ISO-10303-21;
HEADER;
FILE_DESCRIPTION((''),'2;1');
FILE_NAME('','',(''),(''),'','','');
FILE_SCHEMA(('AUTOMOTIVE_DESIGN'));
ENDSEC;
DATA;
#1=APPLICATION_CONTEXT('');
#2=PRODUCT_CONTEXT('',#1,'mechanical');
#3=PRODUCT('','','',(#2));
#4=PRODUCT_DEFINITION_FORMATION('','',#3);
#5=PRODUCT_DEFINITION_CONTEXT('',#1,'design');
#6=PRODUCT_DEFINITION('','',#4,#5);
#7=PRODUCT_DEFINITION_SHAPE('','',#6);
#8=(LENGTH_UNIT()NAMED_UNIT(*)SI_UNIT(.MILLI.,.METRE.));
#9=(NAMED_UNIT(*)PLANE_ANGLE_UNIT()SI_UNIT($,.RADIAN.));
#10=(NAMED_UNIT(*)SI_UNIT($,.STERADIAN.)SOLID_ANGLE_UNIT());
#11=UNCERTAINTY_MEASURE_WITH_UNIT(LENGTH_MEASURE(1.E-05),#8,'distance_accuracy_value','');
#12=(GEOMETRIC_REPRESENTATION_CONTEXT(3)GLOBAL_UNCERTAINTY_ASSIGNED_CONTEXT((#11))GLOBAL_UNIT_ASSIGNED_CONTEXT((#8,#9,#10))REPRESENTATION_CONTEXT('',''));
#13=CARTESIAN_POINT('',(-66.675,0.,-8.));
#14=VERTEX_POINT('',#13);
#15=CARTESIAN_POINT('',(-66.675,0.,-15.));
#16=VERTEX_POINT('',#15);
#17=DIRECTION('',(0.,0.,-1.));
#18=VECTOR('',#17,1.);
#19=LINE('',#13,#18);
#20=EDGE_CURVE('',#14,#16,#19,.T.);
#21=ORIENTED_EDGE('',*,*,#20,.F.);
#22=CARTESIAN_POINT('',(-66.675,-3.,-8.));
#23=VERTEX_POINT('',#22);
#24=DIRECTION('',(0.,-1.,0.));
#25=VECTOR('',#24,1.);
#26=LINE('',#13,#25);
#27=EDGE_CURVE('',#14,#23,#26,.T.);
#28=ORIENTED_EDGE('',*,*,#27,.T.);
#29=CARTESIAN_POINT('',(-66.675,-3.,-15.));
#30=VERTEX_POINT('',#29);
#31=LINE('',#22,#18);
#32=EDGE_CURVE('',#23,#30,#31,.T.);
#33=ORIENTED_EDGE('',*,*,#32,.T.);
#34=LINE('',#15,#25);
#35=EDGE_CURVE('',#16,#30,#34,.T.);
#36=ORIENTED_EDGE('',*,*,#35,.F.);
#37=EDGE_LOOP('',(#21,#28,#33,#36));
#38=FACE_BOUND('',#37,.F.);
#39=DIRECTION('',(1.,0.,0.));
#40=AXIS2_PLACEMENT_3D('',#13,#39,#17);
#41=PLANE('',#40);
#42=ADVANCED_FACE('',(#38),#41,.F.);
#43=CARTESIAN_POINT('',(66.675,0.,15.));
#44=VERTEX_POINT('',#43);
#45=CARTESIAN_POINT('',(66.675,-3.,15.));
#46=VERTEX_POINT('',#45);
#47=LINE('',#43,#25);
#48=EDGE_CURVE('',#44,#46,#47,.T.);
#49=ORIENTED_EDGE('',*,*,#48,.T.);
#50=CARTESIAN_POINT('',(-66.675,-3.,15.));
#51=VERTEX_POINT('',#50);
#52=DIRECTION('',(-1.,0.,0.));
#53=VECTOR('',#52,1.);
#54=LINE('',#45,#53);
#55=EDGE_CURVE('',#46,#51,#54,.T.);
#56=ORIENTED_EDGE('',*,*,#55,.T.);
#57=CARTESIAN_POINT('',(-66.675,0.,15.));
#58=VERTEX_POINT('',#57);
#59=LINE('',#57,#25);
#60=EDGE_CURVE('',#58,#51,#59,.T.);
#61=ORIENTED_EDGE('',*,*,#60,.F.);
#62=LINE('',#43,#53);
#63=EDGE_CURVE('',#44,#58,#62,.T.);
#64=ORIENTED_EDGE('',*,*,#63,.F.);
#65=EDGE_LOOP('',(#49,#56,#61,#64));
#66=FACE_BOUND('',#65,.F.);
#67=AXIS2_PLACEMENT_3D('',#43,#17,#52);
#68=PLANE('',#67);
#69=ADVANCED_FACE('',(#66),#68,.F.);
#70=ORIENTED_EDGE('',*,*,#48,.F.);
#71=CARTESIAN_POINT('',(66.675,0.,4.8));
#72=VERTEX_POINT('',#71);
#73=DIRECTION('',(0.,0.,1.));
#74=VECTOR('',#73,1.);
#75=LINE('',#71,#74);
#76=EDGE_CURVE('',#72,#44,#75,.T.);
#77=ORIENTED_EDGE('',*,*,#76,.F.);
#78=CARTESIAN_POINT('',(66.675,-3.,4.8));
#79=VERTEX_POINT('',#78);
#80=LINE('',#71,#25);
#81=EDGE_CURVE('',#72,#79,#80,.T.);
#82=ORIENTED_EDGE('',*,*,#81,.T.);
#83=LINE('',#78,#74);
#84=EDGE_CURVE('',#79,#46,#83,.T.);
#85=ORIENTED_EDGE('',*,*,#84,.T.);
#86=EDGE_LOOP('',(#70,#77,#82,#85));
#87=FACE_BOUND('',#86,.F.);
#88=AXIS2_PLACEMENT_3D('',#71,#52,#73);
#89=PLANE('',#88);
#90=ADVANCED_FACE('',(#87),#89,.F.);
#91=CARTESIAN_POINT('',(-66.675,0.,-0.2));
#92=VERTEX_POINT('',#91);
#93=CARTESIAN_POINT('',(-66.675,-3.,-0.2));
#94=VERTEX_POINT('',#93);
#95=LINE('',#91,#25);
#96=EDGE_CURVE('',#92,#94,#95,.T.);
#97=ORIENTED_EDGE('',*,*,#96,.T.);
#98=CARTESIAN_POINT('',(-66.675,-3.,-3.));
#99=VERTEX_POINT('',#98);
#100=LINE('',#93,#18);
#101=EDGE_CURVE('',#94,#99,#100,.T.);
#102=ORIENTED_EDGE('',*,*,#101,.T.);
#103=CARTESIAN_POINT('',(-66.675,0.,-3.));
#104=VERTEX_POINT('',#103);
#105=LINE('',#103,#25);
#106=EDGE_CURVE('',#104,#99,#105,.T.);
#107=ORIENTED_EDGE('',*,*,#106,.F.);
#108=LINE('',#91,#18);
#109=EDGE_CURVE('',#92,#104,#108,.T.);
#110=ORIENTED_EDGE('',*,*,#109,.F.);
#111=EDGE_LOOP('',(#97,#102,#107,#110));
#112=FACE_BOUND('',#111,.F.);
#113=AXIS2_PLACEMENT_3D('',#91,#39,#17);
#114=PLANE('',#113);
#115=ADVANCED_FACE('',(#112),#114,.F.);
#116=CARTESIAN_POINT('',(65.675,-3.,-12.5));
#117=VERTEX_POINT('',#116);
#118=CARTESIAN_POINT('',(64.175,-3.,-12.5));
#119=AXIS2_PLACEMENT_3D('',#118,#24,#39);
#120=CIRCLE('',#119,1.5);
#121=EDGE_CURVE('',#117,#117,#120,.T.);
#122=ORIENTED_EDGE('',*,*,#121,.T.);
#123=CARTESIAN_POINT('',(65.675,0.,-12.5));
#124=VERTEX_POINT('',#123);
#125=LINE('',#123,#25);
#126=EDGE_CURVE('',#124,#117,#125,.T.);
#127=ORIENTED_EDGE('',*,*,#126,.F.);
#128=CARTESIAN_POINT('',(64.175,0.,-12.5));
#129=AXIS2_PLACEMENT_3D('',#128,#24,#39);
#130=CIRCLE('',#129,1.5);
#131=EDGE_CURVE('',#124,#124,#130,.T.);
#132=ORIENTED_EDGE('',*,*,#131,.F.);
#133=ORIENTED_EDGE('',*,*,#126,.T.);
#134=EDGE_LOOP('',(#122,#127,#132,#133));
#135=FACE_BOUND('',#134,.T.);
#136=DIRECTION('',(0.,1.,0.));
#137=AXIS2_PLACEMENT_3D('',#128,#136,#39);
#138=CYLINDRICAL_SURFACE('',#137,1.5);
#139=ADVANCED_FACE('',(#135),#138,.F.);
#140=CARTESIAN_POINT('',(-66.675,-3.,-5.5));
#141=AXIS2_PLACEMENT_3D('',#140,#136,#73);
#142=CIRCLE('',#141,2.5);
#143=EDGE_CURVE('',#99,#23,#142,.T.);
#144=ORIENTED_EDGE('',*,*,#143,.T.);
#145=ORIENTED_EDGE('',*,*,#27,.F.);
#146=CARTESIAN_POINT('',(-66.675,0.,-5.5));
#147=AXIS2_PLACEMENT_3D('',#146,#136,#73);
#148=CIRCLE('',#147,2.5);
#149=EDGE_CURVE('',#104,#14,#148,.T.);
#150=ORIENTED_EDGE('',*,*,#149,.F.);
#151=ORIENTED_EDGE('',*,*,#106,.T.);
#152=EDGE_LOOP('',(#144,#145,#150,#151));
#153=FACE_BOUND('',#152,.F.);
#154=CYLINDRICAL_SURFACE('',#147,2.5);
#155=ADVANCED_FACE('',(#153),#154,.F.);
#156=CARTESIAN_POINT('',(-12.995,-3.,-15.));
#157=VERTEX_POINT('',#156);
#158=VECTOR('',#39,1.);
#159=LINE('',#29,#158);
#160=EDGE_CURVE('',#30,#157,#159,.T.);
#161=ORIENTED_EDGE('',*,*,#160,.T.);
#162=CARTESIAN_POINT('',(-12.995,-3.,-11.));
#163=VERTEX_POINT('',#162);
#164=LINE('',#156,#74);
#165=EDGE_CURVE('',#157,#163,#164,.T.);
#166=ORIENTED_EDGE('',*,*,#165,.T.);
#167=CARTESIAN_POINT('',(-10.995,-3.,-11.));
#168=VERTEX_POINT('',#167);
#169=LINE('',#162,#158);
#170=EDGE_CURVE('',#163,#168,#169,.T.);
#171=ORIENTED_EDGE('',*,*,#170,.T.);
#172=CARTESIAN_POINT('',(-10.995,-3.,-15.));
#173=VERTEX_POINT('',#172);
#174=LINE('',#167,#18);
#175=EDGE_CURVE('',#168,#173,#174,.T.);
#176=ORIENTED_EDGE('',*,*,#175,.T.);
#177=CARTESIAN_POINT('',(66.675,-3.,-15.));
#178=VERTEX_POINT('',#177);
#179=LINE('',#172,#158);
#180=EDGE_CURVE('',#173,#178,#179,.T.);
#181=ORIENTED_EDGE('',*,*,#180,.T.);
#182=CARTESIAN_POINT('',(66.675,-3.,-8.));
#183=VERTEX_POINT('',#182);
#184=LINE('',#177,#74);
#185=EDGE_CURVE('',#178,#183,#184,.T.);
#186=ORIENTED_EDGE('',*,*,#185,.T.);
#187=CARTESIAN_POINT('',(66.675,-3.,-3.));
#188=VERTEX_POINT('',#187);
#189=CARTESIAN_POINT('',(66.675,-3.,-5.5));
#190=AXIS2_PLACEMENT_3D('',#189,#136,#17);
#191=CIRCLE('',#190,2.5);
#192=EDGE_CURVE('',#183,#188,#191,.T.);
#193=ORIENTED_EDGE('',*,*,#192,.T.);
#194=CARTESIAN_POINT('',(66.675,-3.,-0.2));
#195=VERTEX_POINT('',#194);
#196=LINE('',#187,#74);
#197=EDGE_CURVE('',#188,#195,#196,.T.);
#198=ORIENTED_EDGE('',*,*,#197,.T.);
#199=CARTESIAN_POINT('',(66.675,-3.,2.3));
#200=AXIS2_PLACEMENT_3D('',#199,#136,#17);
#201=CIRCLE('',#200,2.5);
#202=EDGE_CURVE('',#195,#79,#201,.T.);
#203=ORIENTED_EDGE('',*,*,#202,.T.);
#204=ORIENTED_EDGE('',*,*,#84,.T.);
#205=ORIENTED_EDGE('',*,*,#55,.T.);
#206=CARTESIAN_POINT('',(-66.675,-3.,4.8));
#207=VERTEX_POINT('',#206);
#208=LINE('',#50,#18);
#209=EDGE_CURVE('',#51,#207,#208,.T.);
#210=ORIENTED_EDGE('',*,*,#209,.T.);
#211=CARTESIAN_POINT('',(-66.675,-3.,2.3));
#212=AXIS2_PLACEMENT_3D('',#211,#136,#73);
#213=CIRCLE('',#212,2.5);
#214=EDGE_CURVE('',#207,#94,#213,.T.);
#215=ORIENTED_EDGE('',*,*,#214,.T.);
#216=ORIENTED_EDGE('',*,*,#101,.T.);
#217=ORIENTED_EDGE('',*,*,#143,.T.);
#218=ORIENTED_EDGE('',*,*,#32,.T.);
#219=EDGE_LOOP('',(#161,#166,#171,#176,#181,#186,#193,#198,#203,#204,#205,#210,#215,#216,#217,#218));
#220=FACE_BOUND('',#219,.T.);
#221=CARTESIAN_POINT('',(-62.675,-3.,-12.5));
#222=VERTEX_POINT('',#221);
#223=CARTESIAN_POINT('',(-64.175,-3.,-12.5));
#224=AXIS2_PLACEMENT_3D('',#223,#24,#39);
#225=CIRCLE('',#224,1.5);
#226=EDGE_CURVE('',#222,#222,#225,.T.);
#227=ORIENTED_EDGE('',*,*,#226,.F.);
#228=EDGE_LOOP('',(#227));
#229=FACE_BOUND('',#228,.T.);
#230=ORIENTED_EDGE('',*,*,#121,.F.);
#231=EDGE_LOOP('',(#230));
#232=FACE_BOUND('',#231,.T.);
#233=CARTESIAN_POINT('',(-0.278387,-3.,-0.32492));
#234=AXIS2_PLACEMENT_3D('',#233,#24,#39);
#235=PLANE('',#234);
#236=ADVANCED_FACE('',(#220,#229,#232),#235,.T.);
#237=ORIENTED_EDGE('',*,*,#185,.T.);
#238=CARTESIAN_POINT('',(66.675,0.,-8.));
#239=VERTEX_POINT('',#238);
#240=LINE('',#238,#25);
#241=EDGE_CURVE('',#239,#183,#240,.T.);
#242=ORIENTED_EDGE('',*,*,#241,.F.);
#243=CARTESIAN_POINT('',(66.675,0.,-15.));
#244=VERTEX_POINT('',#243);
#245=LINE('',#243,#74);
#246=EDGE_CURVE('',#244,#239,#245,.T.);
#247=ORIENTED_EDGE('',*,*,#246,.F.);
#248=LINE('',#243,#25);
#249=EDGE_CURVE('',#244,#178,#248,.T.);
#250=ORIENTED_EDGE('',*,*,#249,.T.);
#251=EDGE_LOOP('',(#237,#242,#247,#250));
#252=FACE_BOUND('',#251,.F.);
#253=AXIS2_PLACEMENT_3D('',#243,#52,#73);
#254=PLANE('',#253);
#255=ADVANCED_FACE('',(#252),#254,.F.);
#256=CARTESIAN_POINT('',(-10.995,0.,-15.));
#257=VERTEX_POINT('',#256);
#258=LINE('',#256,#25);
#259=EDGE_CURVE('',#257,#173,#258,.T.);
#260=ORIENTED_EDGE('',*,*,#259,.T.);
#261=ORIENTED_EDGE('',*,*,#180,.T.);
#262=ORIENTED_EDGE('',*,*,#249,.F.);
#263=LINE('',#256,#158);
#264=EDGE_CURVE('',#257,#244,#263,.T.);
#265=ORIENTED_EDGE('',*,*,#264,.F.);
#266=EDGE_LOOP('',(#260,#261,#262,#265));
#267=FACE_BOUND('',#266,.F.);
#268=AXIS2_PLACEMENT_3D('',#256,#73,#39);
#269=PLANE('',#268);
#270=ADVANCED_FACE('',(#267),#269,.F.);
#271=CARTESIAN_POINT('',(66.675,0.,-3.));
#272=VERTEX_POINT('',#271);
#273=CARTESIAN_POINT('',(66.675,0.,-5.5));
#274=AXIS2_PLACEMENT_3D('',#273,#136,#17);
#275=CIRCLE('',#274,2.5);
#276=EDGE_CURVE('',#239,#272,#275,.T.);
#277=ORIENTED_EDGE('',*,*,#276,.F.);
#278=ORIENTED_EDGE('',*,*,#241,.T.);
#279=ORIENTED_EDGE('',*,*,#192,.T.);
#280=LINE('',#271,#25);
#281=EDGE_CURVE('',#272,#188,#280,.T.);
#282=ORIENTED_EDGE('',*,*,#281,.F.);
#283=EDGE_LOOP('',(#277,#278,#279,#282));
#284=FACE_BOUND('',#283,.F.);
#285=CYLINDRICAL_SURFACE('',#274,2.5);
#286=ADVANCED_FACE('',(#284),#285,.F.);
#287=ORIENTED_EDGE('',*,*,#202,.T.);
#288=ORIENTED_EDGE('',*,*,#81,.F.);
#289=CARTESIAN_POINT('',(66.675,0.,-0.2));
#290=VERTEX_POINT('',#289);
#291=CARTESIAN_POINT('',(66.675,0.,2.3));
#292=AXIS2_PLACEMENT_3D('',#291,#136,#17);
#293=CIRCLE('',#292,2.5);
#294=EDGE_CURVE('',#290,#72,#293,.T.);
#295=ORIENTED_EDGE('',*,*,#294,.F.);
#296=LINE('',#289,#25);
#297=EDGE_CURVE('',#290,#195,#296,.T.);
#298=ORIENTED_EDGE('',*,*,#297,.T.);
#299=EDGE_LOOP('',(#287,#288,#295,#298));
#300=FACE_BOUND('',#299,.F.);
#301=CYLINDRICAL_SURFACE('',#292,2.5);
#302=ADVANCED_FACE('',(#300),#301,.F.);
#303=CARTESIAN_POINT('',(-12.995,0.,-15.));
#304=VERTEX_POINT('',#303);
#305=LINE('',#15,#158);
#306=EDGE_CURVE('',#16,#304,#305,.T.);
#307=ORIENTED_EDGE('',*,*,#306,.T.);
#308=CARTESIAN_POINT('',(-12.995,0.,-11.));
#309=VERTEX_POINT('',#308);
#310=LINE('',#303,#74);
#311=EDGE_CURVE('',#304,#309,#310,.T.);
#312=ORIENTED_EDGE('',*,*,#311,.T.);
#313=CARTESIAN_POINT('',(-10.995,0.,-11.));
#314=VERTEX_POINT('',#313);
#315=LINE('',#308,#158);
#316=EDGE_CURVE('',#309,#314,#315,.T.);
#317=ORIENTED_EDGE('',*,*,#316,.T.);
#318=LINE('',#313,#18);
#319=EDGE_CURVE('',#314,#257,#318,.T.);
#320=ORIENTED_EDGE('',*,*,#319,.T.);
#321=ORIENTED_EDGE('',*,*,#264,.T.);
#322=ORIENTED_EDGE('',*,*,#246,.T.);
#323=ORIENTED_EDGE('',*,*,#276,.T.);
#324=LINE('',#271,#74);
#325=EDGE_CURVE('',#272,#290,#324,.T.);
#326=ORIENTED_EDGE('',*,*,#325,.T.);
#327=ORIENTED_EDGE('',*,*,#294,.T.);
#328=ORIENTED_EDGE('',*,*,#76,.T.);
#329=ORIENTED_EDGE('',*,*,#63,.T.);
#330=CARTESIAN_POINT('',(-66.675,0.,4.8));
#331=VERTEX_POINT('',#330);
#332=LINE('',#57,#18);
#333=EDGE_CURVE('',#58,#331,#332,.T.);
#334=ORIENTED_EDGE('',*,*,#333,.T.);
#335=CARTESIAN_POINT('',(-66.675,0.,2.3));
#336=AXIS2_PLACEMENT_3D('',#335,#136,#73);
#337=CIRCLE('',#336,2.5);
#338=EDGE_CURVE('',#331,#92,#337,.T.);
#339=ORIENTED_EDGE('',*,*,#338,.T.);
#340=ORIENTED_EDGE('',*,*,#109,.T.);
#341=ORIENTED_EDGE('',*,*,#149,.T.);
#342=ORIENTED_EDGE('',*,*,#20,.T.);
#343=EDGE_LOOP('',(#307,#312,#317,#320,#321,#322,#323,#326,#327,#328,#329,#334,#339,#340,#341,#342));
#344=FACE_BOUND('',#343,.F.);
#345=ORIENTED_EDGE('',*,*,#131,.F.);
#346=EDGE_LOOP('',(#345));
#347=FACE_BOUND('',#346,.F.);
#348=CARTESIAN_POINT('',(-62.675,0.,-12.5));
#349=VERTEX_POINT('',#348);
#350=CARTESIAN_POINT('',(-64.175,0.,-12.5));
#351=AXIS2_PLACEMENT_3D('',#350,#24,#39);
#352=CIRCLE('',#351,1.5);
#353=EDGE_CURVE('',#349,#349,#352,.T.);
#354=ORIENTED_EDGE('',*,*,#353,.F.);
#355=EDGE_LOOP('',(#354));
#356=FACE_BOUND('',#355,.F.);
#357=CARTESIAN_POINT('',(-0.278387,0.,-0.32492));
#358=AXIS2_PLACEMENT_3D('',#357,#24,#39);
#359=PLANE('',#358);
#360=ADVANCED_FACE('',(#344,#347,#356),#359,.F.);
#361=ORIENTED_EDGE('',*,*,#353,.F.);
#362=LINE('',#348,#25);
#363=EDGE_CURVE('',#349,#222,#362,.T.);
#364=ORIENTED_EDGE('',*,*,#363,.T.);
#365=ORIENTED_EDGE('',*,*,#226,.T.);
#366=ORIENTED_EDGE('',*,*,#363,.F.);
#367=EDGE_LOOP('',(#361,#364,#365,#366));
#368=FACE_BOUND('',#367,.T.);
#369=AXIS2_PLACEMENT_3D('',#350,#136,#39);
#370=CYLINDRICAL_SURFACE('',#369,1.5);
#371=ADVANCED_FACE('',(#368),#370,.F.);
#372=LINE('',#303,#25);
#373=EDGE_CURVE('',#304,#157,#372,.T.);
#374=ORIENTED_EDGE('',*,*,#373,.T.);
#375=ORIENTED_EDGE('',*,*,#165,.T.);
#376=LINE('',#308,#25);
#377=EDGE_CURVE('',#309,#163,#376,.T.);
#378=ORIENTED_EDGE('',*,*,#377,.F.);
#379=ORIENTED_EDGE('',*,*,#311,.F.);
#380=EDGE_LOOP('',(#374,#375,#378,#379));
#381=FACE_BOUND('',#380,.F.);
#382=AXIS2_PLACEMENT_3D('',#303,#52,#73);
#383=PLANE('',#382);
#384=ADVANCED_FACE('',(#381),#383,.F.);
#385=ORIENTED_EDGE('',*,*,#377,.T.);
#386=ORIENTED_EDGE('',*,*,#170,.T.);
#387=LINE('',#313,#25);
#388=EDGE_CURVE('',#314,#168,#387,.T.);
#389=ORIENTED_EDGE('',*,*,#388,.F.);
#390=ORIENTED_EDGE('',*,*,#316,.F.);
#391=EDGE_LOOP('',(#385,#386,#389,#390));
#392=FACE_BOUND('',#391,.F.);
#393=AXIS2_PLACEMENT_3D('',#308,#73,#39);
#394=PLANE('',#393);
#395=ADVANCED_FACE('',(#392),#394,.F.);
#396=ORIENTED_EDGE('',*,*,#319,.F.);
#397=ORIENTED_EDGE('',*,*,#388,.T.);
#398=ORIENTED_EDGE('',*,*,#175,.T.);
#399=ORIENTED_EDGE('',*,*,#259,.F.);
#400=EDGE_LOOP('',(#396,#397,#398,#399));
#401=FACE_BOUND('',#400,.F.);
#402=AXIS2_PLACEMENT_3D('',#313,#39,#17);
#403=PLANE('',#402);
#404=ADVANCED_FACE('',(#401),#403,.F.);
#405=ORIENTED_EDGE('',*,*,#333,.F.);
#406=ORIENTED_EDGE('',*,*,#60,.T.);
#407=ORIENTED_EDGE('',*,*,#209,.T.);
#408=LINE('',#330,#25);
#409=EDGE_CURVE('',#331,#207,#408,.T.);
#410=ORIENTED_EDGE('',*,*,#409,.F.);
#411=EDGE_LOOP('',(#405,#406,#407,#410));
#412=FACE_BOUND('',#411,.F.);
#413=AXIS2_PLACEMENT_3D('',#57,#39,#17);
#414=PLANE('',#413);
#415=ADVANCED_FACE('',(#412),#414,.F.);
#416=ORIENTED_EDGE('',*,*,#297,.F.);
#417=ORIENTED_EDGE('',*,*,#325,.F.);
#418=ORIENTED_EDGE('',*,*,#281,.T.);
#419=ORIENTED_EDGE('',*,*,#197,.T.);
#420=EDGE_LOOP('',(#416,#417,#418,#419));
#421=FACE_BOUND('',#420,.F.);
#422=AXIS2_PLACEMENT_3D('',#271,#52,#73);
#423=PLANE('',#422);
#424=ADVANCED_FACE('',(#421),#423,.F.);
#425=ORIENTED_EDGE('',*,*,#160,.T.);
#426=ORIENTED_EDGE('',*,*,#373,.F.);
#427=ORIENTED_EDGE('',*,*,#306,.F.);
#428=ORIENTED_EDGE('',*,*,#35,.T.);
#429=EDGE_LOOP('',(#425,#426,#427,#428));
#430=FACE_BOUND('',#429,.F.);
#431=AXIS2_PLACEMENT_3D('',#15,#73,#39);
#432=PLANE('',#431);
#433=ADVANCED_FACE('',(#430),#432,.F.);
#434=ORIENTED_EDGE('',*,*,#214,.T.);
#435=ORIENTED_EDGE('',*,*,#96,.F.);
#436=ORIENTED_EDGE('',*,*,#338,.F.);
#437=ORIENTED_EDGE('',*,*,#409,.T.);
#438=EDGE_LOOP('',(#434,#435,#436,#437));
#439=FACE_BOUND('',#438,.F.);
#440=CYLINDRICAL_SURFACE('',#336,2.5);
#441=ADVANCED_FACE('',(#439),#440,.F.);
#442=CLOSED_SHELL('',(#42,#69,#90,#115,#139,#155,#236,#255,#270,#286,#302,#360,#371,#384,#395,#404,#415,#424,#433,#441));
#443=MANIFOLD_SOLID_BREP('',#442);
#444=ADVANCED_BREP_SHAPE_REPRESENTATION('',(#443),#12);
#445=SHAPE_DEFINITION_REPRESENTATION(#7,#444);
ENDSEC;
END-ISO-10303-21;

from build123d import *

# Parameters (mm, degrees)
F0_R     = 1.5
F1_DEPTH = 3


with BuildPart() as f1:
    # F0 (on Front) → F1 (new body)
    with BuildSketch(Plane.XZ):
        with BuildLine():
            Line((-10.995, -15), (66.675, -15))
            Line((66.675, -15), (66.675, -8))
            ThreePointArc((66.675, -8), (64.175, -5.5), (66.675, -3))
            Line((66.675, -3), (66.675, -0.2))
            ThreePointArc((66.675, -0.2), (64.175, 2.3), (66.675, 4.8))
            Line((66.675, 4.8), (66.675, 15))
            Line((66.675, 15), (-66.675, 15))
            Line((-66.675, 15), (-66.675, 4.8))
            ThreePointArc((-66.675, 4.8), (-64.175, 2.3), (-66.675, -0.2))
            Line((-66.675, -0.2), (-66.675, -3))
            ThreePointArc((-66.675, -3), (-64.175, -5.5), (-66.675, -8))
            Line((-66.675, -8), (-66.675, -15))
            Line((-66.675, -15), (-12.995, -15))
            Line((-12.995, -15), (-12.995, -11))
            Line((-12.995, -11), (-10.995, -11))
            Line((-10.995, -11), (-10.995, -15))
        make_face()
        with Locations((-64.175, -12.5)):
            Circle(F0_R, mode=Mode.SUBTRACT)
        with Locations((64.175, -12.5)):
            Circle(F0_R, mode=Mode.SUBTRACT)
    extrude(amount=F1_DEPTH)


solid = f1.part
